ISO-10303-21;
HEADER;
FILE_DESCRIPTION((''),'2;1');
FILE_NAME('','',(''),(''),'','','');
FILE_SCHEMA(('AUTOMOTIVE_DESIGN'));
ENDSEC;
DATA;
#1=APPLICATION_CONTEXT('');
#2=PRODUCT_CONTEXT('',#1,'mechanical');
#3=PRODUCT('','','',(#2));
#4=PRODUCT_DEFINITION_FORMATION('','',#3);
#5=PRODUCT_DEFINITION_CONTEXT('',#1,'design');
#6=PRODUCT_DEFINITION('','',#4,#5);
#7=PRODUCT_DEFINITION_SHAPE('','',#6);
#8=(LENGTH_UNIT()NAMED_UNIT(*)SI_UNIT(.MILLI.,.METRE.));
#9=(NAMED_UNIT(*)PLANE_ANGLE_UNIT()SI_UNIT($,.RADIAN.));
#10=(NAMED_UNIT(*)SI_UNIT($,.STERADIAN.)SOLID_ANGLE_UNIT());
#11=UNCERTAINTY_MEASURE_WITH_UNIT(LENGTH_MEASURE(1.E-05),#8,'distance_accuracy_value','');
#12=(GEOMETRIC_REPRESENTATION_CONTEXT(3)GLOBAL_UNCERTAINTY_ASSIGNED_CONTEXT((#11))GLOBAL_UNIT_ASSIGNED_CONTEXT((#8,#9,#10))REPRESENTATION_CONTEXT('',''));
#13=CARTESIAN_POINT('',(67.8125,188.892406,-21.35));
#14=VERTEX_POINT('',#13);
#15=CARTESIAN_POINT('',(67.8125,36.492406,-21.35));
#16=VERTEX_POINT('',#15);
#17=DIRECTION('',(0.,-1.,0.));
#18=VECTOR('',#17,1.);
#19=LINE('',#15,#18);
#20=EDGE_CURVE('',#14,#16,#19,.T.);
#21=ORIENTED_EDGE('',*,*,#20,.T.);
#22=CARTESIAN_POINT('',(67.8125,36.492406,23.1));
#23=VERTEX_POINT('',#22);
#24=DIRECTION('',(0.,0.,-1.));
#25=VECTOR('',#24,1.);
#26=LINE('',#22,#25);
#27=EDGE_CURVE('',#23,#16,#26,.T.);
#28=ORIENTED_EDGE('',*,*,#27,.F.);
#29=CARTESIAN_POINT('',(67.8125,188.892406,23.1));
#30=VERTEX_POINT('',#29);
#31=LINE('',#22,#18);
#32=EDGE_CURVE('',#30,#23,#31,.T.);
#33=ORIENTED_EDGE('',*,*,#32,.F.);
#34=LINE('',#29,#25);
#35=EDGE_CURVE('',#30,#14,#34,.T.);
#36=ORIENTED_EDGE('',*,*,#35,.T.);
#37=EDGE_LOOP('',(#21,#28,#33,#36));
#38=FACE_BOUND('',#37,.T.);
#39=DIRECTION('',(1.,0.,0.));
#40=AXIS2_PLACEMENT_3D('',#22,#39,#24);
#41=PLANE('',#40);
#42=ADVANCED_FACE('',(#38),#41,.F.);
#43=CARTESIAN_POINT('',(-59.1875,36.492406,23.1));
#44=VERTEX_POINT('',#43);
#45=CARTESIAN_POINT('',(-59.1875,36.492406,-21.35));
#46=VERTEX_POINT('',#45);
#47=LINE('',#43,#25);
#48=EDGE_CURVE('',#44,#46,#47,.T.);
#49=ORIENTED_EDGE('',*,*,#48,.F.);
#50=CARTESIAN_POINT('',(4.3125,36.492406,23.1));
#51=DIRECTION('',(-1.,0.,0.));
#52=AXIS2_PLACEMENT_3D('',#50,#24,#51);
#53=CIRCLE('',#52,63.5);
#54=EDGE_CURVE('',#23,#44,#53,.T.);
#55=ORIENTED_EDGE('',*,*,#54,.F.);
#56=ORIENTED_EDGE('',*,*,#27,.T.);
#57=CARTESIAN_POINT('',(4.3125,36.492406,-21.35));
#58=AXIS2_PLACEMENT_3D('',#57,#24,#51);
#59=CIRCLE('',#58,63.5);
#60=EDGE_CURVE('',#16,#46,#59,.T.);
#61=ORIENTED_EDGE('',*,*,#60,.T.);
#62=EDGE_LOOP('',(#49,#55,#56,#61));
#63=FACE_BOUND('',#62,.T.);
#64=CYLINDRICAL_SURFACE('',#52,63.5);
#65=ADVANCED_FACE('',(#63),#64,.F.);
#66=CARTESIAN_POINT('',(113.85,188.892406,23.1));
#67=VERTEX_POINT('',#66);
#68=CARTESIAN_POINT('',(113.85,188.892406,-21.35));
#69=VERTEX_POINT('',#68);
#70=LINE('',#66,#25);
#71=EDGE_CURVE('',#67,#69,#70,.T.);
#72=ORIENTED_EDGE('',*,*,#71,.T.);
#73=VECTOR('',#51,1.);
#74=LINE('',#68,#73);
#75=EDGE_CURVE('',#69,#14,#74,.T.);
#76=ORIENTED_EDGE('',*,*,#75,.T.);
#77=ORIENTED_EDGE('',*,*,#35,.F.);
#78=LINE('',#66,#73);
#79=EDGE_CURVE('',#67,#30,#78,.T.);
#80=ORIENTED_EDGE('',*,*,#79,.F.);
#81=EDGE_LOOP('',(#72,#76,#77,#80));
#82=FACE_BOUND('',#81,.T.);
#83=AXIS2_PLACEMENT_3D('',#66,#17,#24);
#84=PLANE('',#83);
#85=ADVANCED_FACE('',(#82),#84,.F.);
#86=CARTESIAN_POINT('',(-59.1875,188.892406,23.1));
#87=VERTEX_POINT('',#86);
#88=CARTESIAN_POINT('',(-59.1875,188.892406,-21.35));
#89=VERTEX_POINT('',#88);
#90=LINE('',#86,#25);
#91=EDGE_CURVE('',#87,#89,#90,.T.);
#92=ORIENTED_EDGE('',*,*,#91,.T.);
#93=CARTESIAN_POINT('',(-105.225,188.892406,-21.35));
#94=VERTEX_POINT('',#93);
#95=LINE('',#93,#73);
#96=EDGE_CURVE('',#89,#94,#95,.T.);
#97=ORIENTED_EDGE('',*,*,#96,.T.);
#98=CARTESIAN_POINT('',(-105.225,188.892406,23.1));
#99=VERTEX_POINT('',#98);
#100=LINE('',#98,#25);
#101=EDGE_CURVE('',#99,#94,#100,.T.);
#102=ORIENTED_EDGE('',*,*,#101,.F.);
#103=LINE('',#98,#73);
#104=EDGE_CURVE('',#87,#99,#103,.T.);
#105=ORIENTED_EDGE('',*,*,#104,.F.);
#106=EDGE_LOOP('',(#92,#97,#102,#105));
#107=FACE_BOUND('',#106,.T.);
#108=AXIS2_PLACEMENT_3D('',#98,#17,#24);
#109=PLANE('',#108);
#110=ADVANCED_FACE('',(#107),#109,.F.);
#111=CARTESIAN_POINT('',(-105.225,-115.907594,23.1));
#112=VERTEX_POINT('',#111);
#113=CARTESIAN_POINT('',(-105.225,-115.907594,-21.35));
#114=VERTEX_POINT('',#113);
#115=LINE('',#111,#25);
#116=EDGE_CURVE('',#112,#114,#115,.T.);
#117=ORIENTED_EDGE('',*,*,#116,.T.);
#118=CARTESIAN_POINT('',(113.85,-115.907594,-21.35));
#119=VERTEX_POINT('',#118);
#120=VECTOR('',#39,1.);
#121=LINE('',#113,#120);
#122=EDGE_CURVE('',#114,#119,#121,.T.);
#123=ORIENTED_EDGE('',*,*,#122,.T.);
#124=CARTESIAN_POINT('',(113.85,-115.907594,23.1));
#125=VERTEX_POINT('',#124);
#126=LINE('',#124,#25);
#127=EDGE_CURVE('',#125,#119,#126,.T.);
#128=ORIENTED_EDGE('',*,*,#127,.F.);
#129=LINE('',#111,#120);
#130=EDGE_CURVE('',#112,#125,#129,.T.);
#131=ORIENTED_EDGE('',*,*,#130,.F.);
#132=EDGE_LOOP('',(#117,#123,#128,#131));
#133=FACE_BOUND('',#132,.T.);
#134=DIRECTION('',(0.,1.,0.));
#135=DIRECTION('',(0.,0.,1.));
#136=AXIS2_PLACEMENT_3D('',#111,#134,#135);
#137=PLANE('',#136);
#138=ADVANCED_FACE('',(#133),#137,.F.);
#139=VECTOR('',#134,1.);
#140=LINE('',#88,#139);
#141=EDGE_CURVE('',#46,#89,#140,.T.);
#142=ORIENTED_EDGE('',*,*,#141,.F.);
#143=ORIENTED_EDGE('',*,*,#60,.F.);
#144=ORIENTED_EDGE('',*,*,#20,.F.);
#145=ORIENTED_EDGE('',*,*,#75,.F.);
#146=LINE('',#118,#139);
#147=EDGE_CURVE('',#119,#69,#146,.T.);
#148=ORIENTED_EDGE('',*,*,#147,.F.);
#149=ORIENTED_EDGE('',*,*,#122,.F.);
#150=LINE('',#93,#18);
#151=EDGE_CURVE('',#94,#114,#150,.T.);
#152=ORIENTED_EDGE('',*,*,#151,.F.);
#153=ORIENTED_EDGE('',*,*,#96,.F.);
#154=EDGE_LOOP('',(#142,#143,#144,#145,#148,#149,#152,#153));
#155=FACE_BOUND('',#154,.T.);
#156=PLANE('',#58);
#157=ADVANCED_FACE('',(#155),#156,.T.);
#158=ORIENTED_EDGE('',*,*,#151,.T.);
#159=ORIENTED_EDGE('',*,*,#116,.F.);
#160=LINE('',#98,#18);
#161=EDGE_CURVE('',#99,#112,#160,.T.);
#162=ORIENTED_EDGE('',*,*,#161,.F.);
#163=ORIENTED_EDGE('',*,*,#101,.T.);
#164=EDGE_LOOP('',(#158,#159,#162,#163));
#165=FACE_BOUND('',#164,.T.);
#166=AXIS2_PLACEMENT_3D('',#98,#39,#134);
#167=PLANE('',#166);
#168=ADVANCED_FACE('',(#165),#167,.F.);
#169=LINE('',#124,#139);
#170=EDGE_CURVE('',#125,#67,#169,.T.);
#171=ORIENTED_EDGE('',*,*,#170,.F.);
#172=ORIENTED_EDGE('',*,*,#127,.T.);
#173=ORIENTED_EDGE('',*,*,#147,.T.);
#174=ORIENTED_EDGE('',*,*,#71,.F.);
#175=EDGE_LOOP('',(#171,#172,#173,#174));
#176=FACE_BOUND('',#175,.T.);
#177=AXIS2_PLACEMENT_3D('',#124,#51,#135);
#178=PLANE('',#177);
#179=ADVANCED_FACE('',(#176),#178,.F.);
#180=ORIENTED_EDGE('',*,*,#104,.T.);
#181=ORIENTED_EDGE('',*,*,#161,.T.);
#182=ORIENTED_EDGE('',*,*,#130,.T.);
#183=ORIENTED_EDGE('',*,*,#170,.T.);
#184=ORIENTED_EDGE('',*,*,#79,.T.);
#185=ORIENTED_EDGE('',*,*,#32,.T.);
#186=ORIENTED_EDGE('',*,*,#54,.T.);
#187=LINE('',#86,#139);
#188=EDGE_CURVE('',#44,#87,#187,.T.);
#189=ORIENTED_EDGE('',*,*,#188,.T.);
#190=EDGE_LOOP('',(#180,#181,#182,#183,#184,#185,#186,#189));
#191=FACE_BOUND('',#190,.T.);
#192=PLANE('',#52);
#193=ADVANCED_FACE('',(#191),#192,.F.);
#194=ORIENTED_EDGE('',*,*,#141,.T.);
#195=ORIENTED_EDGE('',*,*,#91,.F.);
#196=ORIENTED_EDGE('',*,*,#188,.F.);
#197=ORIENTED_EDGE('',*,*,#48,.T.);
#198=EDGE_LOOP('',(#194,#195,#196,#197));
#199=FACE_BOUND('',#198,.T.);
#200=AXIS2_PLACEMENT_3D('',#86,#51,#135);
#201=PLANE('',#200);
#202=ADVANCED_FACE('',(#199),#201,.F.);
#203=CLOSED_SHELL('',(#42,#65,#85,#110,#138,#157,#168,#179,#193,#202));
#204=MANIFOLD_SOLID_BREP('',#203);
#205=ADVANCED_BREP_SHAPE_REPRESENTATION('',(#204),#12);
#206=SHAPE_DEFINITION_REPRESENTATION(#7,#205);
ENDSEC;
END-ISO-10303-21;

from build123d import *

# Parameters (mm, degrees)
BOSS_EXTRUDE1_DEPTH = 1.75
SCALE1_SCALE        = 25.4


with BuildPart() as part:
    # Sketch1 → Boss-Extrude1 (new body)
    with BuildSketch(Plane.XY):
        with BuildLine():
            Line((0, 12), (0, 0))
            Line((0, 0), (8.625, 0))
            Line((8.625, 0), (8.625, 12))
            Line((8.625, 12), (6.8125, 12))
            Line((6.8125, 12), (6.8125, 6))
            ThreePointArc((6.8125, 6), (4.3125, 3.5), (1.8125, 6))
            Line((1.8125, 6), (1.8125, 12))
            Line((1.8125, 12), (0, 12))
        make_face()
    extrude(amount=BOSS_EXTRUDE1_DEPTH)


with BuildPart() as part_1:
    # Scale1: scaled about (4.3125, 4.750311237, 0.875)
    add(part.part.scale(SCALE1_SCALE).moved(Location((-105.225, -115.907594183, -21.35))))


solid = part_1.part
